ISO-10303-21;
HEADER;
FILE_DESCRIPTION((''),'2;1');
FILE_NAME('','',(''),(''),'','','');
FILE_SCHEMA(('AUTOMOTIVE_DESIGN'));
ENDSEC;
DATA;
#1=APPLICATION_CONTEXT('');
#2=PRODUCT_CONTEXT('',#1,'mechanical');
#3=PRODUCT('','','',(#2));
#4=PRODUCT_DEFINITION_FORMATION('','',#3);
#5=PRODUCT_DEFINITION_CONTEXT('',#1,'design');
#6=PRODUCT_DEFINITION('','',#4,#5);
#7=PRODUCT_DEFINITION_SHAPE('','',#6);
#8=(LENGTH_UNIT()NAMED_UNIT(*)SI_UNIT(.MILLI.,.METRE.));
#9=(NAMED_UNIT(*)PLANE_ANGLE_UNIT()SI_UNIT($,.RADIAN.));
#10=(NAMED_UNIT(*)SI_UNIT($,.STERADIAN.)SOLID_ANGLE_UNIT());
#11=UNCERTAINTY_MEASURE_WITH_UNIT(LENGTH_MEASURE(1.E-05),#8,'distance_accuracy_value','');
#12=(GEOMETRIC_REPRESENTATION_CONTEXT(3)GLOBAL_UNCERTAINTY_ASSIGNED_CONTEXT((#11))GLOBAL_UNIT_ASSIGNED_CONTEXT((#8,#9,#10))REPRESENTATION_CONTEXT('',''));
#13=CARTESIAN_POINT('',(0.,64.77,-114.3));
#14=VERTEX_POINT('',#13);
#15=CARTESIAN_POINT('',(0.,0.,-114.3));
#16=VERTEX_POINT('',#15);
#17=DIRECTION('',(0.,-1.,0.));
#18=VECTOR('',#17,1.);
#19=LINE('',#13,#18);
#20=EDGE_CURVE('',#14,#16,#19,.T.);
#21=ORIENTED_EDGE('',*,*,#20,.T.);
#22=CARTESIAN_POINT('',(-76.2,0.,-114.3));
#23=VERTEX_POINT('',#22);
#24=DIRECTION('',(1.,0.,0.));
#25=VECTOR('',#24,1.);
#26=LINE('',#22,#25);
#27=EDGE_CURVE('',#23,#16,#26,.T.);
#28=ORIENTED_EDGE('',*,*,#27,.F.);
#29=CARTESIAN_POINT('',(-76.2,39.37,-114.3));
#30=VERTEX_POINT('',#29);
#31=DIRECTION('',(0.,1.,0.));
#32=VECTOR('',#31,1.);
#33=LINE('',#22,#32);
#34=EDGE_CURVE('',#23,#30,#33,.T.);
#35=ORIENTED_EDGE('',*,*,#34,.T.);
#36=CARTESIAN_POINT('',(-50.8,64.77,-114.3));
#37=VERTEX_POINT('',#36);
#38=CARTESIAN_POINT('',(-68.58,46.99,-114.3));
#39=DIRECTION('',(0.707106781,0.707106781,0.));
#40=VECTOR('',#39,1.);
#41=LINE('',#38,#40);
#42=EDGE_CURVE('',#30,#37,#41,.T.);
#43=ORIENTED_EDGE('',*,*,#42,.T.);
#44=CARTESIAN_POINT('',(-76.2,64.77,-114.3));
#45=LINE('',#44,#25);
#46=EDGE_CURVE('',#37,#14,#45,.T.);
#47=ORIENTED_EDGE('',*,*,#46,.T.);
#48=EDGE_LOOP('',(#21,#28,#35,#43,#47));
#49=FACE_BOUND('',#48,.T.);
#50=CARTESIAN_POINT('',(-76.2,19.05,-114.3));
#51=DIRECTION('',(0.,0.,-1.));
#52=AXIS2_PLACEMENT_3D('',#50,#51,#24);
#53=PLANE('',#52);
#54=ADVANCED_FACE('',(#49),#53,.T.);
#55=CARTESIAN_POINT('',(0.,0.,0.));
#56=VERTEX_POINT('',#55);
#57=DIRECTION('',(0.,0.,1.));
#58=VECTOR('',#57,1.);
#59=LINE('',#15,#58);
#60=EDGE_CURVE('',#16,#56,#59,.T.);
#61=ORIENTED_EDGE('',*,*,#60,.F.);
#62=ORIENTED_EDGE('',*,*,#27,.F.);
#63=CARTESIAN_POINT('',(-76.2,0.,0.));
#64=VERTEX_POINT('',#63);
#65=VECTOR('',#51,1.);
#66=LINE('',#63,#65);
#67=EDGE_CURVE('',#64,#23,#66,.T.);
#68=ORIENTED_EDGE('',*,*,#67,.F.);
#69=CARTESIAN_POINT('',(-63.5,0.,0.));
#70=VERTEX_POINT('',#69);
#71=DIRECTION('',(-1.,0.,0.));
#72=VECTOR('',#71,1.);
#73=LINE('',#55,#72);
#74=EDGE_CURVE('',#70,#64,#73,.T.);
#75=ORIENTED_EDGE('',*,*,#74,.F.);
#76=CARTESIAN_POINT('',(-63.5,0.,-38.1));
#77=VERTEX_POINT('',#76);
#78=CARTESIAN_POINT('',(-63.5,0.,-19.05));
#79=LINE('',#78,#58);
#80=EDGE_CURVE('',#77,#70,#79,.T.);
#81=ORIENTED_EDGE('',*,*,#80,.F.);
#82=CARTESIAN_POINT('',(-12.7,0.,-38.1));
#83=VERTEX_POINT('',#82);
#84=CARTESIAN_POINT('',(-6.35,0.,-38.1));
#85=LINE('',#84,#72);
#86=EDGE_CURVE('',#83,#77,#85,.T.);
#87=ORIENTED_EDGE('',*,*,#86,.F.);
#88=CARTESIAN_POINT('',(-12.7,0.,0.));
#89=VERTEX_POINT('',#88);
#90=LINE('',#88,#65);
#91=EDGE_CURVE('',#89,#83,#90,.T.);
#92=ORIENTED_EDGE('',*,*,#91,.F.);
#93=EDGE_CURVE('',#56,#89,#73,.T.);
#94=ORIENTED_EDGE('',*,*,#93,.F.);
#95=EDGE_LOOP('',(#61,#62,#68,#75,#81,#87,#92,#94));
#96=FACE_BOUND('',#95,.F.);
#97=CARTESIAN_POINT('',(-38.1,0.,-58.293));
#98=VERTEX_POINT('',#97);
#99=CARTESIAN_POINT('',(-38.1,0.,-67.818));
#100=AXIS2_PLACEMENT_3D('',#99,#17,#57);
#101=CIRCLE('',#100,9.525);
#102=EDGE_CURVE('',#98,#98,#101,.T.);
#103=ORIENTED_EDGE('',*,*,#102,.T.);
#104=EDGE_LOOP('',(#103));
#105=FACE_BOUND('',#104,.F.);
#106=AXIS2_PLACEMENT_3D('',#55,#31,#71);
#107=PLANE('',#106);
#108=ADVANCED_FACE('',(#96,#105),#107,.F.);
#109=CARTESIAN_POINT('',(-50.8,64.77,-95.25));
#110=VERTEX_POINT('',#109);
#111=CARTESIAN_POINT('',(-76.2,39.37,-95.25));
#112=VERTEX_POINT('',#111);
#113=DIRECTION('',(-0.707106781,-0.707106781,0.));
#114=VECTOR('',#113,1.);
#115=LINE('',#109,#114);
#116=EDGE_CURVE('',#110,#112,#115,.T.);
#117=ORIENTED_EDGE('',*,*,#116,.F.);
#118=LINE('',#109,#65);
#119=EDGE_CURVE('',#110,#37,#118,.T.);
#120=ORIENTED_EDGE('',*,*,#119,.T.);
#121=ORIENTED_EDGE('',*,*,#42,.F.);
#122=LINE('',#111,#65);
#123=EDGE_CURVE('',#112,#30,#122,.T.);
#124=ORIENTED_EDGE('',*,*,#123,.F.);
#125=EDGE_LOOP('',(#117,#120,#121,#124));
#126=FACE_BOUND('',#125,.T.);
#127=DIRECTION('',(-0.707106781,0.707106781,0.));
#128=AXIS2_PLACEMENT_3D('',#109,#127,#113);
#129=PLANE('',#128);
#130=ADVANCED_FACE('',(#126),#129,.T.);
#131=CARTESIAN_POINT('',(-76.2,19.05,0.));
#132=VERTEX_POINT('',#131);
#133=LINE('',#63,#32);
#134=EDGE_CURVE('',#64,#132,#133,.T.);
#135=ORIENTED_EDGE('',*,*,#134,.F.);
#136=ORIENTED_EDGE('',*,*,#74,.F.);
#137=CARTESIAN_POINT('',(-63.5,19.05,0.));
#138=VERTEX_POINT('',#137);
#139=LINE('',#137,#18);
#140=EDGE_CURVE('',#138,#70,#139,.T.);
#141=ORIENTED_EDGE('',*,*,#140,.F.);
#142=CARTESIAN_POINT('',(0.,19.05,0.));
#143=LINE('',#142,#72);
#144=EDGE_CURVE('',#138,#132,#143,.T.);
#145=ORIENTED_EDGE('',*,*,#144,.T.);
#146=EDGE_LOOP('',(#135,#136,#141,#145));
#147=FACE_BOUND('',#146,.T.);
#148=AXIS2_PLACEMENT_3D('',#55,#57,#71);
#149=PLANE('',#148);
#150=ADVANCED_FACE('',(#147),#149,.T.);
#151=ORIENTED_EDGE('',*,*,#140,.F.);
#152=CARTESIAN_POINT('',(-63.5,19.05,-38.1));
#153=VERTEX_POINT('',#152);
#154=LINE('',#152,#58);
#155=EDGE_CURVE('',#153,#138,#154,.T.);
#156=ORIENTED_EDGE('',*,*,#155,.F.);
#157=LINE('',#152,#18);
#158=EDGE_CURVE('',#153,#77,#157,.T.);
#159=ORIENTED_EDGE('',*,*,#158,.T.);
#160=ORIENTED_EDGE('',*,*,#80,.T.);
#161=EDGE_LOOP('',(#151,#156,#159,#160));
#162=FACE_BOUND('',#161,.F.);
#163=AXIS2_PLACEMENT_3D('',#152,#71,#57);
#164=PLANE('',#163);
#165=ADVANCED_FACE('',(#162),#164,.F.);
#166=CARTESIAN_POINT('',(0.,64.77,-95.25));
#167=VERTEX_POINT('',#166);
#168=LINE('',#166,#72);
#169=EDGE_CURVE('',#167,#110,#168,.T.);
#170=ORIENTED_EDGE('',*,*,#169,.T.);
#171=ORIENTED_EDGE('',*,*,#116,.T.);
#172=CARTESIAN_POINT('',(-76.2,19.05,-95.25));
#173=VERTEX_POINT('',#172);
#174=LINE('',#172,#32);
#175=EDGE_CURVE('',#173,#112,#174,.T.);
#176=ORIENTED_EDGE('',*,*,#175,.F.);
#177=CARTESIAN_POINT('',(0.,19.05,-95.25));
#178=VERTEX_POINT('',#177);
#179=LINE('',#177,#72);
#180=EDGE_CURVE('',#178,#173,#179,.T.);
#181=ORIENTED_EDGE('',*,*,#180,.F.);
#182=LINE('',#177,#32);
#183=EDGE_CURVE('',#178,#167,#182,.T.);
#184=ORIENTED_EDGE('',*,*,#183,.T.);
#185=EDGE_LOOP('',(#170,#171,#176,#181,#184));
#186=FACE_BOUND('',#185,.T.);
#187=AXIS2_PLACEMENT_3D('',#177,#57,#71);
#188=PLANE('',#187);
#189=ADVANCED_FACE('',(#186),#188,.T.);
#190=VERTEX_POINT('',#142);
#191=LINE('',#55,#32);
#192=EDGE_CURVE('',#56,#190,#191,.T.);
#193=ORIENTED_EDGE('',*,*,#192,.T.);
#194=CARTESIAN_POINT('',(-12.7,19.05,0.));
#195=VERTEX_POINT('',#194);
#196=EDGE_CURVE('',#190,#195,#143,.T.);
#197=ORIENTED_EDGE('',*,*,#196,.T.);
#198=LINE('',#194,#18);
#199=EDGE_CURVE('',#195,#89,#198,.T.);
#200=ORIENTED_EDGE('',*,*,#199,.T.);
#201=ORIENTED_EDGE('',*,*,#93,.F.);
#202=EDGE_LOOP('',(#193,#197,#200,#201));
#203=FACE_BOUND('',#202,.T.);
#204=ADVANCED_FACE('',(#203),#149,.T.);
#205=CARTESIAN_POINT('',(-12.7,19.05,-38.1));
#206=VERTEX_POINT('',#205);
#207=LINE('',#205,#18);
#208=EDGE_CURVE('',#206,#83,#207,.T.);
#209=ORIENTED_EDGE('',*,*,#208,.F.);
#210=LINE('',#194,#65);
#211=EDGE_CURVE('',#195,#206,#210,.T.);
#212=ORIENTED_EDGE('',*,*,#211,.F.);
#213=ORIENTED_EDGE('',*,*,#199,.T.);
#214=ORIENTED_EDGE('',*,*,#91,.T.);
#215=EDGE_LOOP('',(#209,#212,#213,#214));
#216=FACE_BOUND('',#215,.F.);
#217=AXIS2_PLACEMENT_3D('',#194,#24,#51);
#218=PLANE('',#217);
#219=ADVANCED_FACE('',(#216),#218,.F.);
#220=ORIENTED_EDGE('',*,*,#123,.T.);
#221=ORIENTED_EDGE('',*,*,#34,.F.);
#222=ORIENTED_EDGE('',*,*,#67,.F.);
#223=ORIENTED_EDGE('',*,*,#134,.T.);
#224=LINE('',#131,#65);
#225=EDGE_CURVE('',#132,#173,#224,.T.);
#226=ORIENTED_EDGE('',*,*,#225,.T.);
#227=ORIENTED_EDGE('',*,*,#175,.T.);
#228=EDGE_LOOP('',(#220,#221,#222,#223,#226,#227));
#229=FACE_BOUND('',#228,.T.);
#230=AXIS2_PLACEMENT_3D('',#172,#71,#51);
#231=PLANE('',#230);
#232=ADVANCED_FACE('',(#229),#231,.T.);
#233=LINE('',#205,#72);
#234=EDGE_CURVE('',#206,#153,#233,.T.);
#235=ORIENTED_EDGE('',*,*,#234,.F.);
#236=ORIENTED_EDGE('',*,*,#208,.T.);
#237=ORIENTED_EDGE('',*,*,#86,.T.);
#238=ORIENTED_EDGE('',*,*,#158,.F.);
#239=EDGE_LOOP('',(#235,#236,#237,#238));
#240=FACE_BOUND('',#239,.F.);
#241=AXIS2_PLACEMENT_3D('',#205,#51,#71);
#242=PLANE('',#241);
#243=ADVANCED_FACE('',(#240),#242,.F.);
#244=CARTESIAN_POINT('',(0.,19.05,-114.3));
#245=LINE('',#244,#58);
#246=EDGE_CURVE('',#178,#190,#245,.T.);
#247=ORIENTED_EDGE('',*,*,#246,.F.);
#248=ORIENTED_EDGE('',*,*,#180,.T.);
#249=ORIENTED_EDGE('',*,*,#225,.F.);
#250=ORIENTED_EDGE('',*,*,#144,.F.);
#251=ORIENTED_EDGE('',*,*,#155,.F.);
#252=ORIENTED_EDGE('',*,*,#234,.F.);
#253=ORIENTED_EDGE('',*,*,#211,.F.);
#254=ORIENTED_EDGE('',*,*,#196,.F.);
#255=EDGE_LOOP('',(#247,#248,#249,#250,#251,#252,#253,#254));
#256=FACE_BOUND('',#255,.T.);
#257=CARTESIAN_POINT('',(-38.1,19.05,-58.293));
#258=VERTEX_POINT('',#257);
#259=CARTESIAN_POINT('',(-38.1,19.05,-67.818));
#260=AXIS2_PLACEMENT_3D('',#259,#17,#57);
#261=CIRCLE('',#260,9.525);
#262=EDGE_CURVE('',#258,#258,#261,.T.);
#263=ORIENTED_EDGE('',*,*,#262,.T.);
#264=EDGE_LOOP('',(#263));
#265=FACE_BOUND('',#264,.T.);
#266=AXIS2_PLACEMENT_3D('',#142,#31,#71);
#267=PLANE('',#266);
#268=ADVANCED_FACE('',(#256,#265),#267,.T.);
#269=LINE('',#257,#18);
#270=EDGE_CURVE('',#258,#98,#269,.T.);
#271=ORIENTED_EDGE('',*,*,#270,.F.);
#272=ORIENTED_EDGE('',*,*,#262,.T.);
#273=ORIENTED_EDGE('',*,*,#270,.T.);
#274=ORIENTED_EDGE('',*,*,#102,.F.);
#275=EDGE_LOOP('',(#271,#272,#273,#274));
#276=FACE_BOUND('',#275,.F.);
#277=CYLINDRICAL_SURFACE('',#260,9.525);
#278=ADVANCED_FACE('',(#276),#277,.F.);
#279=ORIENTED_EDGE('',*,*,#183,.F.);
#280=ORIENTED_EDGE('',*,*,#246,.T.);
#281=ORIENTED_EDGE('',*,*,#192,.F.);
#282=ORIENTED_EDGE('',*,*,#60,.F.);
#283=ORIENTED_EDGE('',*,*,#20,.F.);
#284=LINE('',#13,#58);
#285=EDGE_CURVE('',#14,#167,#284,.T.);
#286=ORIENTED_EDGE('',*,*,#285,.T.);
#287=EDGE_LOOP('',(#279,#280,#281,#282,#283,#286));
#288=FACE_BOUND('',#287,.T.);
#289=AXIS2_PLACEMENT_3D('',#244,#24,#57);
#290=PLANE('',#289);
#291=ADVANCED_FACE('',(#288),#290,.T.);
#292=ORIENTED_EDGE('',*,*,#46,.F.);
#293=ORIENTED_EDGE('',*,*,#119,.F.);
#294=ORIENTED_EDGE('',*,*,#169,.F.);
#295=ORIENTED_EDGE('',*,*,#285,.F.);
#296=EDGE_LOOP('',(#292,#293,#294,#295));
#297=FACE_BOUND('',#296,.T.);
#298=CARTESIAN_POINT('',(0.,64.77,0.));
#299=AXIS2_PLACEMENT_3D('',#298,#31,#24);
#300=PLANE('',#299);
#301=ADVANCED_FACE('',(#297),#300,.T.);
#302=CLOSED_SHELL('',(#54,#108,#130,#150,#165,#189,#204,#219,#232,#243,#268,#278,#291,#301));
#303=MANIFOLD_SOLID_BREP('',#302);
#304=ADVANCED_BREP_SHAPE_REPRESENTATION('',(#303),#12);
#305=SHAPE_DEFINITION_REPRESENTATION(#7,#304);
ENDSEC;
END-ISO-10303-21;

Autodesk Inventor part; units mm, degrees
ref_plane "YZ Plane" through (0, 0, 0) normal (1, 0, 0) x (0, 1, 0)
ref_plane "XZ Plane" through (0, 0, 0) normal (0, 1, 0) x (-1, 0, 0)
ref_plane "XY Plane" through (0, 0, 0) normal (0, 0, 1) x (1, 0, 0)
sketch "Sketch1" plane through (0, 0, 0) normal (0, 1, 0) x (-1, 0, 0)
  point P0 (0, 0)
sketch "Sketch2" plane through (0, 0, 0) normal (0, 1, 0) x (-1, 0, 0)
  point P0 (0, 0)
sketch "Sketch3" plane through (0, 0, 0) normal (0, 1, 0) x (-1, 0, 0)
  line L0 (0, 0) -> (76.2, 0)
  line L1 (76.2, 0) -> (76.2, -114.3)
  line L2 (76.2, -114.3) -> (0, -114.3)
  line L3 (0, -114.3) -> (0, 0)
  dimension "d0" = 76.2
  dimension "d1" = 114.3
extrude "Extrusion1" add sketch "Sketch3" along normal blind 19.05
sketch "Sketch4" plane through (0, 19.05, 0) normal (0, 1, 0) x (1, 0, 0)
  line L0 (-76.2, 0) -> (0, 0) projected
  line L1 (-63.5, 0) -> (-12.7, 0)
  line L2 (-12.7, 0) -> (-12.7, 38.1)
  line L3 (-12.7, 38.1) -> (-63.5, 38.1)
  line L4 (-63.5, 38.1) -> (-63.5, 0)
  dimension "d4" = 12.7
  dimension "d5" = 50.8
  dimension "d6" = 38.1
extrude "Extrusion2" cut sketch "Sketch4" against normal through all
sketch "Sketch5" plane through (0, 19.05, 0) normal (0, 1, 0) x (1, 0, 0)
  line L0 (-76.2, 114.3) -> (0, 114.3)
  line L1 (0, 114.3) -> (0, 95.25)
  line L2 (0, 95.25) -> (-76.2, 95.25)
  line L3 (-76.2, 95.25) -> (-76.2, 114.3)
  point P0 (0, 0)
  dimension "d9" = 76.2
  dimension "d10" = 19.05
extrude "Extrusion3" add sketch "Sketch5" along normal blind 45.72
sketch "Sketch6" plane through (-76.2, 19.05, -95.25) normal (0, 0, 1) x (1, 0, 0)
  line L0 (0, -19.05) -> (0, 45.72) projected
  line L1 (76.2, 45.72) -> (25.4, 45.72)
  line L2 (0, 45.72) -> (76.2, 45.72) projected
  line L3 (25.4, 45.72) -> (0, 20.32)
  line L4 (0, 20.32) -> (0, 45.72)
  point P0 (76.2, -19.05)
  dimension "d13" = 25.4
  dimension "d15" = 50.8
extrude "Extrusion4" cut sketch "Sketch6" against normal through all
hole "Hole1" at (-38.1, 19.05, -67.818) direction (0, -1, 0) diameter 19.05 end through all
properties part number "3-1"
